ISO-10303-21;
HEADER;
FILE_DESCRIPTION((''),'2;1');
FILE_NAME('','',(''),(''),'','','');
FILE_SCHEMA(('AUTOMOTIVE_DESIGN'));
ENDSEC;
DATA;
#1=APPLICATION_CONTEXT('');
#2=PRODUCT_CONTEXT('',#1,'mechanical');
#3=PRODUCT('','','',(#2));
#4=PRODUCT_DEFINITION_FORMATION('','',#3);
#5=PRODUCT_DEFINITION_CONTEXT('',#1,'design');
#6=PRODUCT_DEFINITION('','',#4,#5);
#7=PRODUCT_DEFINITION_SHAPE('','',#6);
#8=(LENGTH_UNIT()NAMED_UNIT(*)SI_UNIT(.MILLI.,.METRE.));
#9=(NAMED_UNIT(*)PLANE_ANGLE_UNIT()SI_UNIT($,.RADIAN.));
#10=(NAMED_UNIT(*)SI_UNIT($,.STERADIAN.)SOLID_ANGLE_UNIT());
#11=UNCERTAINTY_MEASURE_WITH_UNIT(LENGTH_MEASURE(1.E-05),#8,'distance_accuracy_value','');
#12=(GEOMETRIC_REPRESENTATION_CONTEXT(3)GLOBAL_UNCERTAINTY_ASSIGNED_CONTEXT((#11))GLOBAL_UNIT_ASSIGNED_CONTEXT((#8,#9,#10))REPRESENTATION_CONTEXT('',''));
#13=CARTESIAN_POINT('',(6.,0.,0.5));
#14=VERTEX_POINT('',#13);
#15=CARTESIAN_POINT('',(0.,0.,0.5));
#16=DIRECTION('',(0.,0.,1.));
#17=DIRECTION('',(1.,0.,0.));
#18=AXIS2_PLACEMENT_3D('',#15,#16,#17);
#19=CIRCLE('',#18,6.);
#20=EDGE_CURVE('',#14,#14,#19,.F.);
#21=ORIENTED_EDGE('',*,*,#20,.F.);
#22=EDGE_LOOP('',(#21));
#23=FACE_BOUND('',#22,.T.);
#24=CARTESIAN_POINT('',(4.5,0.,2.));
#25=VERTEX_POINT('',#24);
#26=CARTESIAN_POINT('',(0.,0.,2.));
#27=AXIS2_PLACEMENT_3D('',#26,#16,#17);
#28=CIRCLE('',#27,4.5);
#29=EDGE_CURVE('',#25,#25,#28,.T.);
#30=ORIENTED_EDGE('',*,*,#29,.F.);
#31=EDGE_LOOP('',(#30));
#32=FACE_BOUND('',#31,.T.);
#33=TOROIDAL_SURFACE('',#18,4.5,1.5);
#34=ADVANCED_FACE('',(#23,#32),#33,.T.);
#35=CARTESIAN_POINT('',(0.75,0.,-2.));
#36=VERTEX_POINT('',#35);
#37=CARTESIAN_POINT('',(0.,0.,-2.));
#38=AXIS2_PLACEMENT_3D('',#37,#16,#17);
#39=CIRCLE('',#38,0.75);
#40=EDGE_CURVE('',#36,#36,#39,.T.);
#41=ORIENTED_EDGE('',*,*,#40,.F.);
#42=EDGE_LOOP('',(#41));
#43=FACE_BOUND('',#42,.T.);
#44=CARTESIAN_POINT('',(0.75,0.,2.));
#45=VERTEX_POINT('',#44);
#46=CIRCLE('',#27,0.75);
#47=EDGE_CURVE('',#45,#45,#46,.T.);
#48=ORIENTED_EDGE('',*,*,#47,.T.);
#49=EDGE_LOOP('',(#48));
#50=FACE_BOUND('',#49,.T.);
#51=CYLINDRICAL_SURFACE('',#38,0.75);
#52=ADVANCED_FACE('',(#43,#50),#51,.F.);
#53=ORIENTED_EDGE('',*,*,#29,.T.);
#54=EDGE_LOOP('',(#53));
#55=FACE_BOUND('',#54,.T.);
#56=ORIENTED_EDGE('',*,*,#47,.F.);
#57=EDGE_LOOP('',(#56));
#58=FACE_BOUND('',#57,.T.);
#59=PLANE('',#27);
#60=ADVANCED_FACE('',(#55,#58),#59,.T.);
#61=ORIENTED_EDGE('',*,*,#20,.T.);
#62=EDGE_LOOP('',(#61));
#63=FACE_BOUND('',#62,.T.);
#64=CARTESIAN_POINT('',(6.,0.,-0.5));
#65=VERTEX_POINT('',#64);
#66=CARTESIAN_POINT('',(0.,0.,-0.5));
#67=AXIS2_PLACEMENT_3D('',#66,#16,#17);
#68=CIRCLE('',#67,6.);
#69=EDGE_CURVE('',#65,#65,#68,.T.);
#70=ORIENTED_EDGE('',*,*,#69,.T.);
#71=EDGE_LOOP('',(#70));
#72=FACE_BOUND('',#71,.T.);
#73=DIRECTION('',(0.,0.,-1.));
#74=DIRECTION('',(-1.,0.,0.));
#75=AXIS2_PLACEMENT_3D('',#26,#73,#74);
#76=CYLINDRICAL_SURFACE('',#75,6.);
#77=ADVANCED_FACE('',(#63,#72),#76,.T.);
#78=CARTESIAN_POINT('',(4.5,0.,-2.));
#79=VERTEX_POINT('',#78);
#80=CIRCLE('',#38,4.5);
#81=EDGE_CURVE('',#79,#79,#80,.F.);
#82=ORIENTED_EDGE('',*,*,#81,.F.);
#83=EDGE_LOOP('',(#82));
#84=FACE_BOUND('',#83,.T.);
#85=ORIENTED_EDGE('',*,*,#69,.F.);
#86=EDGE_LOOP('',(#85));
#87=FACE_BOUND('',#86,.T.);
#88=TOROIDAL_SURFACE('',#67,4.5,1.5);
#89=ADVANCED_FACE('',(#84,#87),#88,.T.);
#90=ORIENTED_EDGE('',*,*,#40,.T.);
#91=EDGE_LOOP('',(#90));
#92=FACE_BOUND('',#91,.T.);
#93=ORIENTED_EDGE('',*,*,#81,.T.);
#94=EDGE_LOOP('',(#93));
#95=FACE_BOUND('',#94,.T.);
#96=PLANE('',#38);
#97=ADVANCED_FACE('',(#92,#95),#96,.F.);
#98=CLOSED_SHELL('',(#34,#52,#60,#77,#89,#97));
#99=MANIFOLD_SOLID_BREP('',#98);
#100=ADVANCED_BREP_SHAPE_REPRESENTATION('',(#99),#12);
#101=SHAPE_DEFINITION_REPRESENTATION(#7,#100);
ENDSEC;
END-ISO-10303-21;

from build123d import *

# Parameters (mm, degrees)
SKETCH1_R           = 6
BOSS_EXTRUDE1_DEPTH = 2
SKETCH2_R           = 0.75
CUT_EXTRUDE1_DEPTH  = 2
FILLET1_R           = 1.5


with BuildPart() as part:
    # Sketch1 → Boss-Extrude1 (new, symmetric)
    with BuildSketch(Plane.XY):
        Circle(SKETCH1_R)
    extrude(amount=BOSS_EXTRUDE1_DEPTH, both=True)

    # Sketch2 → Cut-Extrude1 (cut, symmetric)
    with BuildSketch(Plane.XY):
        Circle(SKETCH2_R)
    extrude(amount=CUT_EXTRUDE1_DEPTH, both=True, mode=Mode.SUBTRACT)

    # Fillet1
    fillet1_edges = [part.edges().sort_by_distance(p)[0] for p in [
        (-6, 0, -2),
        (-6, 0, 2),
    ]]
    fillet(fillet1_edges, radius=FILLET1_R)


solid = part.part
